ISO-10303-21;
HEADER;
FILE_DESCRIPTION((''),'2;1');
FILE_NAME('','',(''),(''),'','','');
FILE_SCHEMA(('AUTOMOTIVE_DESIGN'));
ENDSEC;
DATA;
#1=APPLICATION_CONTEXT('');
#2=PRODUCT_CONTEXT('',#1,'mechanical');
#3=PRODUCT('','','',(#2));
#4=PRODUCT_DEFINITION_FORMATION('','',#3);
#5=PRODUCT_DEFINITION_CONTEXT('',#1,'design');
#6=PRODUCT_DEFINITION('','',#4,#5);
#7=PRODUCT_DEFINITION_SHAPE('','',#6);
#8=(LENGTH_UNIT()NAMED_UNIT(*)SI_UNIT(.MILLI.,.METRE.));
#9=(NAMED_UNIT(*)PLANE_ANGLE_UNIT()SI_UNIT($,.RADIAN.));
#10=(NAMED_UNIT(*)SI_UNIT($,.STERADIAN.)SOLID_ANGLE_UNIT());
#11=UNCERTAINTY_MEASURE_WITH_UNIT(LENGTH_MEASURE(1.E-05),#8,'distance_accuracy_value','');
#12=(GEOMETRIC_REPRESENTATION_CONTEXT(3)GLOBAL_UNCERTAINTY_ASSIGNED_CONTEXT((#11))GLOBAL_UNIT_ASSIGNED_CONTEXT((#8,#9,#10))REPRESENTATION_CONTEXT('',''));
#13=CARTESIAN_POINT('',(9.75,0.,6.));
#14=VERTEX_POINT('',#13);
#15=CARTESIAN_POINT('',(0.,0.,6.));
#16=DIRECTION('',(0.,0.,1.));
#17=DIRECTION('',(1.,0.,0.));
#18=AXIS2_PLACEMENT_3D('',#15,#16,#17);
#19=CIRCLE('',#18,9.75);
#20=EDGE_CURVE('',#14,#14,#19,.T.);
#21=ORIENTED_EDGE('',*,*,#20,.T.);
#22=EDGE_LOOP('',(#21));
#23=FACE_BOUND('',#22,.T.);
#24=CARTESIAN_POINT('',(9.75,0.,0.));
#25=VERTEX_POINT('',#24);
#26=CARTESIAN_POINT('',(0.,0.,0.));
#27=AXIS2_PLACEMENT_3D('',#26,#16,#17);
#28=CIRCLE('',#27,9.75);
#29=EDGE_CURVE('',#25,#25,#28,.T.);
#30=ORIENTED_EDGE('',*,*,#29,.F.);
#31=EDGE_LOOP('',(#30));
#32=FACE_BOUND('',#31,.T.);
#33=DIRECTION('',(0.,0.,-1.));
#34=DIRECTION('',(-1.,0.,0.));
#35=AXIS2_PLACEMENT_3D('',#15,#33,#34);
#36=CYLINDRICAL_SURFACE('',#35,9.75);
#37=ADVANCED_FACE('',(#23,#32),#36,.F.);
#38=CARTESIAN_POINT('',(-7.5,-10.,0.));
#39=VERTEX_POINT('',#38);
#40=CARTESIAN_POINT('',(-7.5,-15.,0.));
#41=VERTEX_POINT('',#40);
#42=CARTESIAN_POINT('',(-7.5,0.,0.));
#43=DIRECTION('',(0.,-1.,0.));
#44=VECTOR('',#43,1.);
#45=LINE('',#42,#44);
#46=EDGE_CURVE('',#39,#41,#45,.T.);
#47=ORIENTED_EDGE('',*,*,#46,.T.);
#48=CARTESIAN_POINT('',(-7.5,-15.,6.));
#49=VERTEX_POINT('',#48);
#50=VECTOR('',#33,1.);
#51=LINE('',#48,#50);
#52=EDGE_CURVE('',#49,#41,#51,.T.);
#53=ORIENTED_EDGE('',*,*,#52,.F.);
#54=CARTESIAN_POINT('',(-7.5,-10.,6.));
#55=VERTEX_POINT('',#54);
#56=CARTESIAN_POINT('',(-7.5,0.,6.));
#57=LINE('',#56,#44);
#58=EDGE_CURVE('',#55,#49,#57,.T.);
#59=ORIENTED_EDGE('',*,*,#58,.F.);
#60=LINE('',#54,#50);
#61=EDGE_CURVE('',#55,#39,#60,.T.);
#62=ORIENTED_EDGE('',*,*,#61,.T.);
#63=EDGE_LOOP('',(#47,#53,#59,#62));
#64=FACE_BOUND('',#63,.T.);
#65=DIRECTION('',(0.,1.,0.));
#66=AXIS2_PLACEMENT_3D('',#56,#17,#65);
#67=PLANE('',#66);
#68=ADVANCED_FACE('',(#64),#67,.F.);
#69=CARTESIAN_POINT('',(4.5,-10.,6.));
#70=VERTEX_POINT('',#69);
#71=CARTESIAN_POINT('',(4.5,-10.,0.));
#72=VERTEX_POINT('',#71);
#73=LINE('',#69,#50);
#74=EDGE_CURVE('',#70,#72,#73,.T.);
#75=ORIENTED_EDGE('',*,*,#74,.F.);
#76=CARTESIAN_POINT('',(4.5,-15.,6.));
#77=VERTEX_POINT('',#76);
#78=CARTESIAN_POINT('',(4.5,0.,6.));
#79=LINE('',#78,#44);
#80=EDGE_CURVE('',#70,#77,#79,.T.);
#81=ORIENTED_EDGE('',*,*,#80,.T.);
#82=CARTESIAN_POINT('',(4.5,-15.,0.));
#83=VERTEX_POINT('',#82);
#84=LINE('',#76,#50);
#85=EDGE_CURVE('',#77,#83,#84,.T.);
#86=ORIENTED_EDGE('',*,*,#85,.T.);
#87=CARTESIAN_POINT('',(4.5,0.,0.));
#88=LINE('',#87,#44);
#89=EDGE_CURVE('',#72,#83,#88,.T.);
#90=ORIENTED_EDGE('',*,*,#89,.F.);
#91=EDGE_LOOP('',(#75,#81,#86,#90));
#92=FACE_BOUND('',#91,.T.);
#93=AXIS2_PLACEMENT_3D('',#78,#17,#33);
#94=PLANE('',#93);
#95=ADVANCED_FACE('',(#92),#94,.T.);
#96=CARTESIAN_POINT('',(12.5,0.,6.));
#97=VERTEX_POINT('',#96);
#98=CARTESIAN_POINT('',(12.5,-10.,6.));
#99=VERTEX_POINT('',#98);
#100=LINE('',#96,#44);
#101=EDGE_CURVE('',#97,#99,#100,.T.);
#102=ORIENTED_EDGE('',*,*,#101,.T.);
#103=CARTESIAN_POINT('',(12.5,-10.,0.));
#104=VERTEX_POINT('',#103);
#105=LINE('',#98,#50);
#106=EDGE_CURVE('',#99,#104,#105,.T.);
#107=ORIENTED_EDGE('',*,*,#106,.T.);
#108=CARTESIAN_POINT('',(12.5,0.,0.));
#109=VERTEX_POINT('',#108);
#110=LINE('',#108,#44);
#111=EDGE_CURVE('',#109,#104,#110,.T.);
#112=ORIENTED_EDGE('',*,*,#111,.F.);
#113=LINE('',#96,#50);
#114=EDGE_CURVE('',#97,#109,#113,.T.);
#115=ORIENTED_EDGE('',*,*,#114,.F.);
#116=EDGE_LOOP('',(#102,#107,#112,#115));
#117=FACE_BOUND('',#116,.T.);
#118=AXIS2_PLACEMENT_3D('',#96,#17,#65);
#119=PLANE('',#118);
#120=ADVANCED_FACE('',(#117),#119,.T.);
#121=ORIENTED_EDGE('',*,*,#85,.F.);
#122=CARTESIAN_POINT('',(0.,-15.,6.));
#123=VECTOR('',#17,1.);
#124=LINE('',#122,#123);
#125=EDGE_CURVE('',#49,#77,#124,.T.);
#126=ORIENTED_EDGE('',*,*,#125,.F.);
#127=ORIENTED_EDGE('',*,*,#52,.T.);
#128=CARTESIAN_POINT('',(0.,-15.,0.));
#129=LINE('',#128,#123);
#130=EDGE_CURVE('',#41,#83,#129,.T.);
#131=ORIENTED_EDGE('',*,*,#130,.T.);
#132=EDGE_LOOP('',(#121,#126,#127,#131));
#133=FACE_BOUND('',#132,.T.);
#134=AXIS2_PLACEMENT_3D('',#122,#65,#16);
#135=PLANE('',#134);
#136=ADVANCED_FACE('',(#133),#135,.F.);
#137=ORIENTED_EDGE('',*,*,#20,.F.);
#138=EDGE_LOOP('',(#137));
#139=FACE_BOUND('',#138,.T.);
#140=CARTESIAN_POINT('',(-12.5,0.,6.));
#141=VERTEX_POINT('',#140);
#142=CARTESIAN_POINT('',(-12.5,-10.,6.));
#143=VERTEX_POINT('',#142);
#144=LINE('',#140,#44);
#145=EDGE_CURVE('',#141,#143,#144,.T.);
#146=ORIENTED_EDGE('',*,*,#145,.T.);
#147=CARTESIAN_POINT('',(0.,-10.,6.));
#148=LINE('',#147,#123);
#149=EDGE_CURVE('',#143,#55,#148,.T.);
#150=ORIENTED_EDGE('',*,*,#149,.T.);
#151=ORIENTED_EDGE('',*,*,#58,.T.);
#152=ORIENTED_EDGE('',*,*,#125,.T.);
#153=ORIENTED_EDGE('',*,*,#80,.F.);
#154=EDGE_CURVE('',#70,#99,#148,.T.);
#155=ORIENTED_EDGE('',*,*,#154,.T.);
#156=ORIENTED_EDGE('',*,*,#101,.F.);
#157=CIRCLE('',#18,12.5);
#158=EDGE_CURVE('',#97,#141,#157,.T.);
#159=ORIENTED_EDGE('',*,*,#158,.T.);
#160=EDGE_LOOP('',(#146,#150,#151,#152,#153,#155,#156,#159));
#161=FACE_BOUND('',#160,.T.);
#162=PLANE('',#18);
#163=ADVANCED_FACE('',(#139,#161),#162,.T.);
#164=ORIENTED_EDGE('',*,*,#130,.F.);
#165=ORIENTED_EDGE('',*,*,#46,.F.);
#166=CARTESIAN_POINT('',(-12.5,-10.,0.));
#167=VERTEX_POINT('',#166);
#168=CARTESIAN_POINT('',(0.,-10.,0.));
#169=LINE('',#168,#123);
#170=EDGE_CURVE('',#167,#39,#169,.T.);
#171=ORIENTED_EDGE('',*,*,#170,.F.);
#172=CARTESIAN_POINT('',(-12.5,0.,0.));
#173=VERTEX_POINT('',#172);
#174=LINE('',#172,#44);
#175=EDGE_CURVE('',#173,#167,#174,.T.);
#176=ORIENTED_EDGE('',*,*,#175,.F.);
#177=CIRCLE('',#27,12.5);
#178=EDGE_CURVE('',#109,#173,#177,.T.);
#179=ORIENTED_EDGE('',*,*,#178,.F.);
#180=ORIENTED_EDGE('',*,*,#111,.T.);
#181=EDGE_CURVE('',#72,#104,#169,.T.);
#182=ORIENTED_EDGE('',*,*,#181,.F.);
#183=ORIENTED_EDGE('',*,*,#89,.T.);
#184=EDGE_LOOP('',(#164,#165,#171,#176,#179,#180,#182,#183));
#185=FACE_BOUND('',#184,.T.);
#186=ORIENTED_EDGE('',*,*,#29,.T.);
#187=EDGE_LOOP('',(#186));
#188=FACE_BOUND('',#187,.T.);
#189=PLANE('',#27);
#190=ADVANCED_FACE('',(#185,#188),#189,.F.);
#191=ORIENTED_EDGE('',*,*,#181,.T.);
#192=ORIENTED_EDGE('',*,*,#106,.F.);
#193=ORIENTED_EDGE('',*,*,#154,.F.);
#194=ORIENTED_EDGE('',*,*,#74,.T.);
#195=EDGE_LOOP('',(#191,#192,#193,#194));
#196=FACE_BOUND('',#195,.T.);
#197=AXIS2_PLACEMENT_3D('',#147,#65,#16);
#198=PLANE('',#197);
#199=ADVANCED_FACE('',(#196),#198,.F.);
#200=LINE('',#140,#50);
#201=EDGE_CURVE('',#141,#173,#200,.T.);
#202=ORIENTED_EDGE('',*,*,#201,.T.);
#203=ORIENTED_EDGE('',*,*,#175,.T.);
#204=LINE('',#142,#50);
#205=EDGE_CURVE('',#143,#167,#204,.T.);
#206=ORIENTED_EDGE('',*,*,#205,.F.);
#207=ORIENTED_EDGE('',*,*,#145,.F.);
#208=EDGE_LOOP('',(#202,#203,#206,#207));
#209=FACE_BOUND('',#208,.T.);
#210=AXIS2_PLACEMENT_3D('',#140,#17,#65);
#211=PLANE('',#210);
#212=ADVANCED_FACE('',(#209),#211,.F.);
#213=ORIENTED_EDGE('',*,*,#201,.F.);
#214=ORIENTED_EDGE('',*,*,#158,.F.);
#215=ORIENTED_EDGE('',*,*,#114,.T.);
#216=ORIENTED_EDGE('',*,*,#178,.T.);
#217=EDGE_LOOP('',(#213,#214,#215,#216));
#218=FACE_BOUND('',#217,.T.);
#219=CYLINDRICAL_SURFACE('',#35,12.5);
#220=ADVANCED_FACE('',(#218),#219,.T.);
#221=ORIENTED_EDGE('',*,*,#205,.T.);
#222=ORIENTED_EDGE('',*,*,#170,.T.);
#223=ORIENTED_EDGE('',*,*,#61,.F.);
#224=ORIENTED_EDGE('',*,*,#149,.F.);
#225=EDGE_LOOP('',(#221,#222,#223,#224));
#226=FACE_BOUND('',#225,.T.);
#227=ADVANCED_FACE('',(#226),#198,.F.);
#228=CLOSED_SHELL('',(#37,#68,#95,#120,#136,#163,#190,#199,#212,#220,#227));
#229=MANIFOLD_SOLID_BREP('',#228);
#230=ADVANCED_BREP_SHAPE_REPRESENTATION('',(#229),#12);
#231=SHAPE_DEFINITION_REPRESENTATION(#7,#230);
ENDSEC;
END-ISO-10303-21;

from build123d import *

# Parameters (mm, degrees)
CROQUIS1_R              = 9.75
SALIENTE_EXTRUIR1_DEPTH = 6


with BuildPart() as part:
    # Croquis1 → Saliente-Extruir1 (new body)
    with BuildSketch(Plane.XY):
        with BuildLine():
            ThreePointArc((12.5, 0), (0, 12.5), (-12.5, 0))
            Line((-12.5, 0), (-12.5, -10))
            Line((-12.5, -10), (-7.5, -10))
            Line((-7.5, -10), (-7.5, -15))
            Line((-7.5, -15), (4.5, -15))
            Line((4.5, -15), (4.5, -10))
            Line((4.5, -10), (12.5, -10))
            Line((12.5, -10), (12.5, 0))
        make_face()
        Circle(CROQUIS1_R, mode=Mode.SUBTRACT)
    extrude(amount=SALIENTE_EXTRUIR1_DEPTH)


solid = part.part
